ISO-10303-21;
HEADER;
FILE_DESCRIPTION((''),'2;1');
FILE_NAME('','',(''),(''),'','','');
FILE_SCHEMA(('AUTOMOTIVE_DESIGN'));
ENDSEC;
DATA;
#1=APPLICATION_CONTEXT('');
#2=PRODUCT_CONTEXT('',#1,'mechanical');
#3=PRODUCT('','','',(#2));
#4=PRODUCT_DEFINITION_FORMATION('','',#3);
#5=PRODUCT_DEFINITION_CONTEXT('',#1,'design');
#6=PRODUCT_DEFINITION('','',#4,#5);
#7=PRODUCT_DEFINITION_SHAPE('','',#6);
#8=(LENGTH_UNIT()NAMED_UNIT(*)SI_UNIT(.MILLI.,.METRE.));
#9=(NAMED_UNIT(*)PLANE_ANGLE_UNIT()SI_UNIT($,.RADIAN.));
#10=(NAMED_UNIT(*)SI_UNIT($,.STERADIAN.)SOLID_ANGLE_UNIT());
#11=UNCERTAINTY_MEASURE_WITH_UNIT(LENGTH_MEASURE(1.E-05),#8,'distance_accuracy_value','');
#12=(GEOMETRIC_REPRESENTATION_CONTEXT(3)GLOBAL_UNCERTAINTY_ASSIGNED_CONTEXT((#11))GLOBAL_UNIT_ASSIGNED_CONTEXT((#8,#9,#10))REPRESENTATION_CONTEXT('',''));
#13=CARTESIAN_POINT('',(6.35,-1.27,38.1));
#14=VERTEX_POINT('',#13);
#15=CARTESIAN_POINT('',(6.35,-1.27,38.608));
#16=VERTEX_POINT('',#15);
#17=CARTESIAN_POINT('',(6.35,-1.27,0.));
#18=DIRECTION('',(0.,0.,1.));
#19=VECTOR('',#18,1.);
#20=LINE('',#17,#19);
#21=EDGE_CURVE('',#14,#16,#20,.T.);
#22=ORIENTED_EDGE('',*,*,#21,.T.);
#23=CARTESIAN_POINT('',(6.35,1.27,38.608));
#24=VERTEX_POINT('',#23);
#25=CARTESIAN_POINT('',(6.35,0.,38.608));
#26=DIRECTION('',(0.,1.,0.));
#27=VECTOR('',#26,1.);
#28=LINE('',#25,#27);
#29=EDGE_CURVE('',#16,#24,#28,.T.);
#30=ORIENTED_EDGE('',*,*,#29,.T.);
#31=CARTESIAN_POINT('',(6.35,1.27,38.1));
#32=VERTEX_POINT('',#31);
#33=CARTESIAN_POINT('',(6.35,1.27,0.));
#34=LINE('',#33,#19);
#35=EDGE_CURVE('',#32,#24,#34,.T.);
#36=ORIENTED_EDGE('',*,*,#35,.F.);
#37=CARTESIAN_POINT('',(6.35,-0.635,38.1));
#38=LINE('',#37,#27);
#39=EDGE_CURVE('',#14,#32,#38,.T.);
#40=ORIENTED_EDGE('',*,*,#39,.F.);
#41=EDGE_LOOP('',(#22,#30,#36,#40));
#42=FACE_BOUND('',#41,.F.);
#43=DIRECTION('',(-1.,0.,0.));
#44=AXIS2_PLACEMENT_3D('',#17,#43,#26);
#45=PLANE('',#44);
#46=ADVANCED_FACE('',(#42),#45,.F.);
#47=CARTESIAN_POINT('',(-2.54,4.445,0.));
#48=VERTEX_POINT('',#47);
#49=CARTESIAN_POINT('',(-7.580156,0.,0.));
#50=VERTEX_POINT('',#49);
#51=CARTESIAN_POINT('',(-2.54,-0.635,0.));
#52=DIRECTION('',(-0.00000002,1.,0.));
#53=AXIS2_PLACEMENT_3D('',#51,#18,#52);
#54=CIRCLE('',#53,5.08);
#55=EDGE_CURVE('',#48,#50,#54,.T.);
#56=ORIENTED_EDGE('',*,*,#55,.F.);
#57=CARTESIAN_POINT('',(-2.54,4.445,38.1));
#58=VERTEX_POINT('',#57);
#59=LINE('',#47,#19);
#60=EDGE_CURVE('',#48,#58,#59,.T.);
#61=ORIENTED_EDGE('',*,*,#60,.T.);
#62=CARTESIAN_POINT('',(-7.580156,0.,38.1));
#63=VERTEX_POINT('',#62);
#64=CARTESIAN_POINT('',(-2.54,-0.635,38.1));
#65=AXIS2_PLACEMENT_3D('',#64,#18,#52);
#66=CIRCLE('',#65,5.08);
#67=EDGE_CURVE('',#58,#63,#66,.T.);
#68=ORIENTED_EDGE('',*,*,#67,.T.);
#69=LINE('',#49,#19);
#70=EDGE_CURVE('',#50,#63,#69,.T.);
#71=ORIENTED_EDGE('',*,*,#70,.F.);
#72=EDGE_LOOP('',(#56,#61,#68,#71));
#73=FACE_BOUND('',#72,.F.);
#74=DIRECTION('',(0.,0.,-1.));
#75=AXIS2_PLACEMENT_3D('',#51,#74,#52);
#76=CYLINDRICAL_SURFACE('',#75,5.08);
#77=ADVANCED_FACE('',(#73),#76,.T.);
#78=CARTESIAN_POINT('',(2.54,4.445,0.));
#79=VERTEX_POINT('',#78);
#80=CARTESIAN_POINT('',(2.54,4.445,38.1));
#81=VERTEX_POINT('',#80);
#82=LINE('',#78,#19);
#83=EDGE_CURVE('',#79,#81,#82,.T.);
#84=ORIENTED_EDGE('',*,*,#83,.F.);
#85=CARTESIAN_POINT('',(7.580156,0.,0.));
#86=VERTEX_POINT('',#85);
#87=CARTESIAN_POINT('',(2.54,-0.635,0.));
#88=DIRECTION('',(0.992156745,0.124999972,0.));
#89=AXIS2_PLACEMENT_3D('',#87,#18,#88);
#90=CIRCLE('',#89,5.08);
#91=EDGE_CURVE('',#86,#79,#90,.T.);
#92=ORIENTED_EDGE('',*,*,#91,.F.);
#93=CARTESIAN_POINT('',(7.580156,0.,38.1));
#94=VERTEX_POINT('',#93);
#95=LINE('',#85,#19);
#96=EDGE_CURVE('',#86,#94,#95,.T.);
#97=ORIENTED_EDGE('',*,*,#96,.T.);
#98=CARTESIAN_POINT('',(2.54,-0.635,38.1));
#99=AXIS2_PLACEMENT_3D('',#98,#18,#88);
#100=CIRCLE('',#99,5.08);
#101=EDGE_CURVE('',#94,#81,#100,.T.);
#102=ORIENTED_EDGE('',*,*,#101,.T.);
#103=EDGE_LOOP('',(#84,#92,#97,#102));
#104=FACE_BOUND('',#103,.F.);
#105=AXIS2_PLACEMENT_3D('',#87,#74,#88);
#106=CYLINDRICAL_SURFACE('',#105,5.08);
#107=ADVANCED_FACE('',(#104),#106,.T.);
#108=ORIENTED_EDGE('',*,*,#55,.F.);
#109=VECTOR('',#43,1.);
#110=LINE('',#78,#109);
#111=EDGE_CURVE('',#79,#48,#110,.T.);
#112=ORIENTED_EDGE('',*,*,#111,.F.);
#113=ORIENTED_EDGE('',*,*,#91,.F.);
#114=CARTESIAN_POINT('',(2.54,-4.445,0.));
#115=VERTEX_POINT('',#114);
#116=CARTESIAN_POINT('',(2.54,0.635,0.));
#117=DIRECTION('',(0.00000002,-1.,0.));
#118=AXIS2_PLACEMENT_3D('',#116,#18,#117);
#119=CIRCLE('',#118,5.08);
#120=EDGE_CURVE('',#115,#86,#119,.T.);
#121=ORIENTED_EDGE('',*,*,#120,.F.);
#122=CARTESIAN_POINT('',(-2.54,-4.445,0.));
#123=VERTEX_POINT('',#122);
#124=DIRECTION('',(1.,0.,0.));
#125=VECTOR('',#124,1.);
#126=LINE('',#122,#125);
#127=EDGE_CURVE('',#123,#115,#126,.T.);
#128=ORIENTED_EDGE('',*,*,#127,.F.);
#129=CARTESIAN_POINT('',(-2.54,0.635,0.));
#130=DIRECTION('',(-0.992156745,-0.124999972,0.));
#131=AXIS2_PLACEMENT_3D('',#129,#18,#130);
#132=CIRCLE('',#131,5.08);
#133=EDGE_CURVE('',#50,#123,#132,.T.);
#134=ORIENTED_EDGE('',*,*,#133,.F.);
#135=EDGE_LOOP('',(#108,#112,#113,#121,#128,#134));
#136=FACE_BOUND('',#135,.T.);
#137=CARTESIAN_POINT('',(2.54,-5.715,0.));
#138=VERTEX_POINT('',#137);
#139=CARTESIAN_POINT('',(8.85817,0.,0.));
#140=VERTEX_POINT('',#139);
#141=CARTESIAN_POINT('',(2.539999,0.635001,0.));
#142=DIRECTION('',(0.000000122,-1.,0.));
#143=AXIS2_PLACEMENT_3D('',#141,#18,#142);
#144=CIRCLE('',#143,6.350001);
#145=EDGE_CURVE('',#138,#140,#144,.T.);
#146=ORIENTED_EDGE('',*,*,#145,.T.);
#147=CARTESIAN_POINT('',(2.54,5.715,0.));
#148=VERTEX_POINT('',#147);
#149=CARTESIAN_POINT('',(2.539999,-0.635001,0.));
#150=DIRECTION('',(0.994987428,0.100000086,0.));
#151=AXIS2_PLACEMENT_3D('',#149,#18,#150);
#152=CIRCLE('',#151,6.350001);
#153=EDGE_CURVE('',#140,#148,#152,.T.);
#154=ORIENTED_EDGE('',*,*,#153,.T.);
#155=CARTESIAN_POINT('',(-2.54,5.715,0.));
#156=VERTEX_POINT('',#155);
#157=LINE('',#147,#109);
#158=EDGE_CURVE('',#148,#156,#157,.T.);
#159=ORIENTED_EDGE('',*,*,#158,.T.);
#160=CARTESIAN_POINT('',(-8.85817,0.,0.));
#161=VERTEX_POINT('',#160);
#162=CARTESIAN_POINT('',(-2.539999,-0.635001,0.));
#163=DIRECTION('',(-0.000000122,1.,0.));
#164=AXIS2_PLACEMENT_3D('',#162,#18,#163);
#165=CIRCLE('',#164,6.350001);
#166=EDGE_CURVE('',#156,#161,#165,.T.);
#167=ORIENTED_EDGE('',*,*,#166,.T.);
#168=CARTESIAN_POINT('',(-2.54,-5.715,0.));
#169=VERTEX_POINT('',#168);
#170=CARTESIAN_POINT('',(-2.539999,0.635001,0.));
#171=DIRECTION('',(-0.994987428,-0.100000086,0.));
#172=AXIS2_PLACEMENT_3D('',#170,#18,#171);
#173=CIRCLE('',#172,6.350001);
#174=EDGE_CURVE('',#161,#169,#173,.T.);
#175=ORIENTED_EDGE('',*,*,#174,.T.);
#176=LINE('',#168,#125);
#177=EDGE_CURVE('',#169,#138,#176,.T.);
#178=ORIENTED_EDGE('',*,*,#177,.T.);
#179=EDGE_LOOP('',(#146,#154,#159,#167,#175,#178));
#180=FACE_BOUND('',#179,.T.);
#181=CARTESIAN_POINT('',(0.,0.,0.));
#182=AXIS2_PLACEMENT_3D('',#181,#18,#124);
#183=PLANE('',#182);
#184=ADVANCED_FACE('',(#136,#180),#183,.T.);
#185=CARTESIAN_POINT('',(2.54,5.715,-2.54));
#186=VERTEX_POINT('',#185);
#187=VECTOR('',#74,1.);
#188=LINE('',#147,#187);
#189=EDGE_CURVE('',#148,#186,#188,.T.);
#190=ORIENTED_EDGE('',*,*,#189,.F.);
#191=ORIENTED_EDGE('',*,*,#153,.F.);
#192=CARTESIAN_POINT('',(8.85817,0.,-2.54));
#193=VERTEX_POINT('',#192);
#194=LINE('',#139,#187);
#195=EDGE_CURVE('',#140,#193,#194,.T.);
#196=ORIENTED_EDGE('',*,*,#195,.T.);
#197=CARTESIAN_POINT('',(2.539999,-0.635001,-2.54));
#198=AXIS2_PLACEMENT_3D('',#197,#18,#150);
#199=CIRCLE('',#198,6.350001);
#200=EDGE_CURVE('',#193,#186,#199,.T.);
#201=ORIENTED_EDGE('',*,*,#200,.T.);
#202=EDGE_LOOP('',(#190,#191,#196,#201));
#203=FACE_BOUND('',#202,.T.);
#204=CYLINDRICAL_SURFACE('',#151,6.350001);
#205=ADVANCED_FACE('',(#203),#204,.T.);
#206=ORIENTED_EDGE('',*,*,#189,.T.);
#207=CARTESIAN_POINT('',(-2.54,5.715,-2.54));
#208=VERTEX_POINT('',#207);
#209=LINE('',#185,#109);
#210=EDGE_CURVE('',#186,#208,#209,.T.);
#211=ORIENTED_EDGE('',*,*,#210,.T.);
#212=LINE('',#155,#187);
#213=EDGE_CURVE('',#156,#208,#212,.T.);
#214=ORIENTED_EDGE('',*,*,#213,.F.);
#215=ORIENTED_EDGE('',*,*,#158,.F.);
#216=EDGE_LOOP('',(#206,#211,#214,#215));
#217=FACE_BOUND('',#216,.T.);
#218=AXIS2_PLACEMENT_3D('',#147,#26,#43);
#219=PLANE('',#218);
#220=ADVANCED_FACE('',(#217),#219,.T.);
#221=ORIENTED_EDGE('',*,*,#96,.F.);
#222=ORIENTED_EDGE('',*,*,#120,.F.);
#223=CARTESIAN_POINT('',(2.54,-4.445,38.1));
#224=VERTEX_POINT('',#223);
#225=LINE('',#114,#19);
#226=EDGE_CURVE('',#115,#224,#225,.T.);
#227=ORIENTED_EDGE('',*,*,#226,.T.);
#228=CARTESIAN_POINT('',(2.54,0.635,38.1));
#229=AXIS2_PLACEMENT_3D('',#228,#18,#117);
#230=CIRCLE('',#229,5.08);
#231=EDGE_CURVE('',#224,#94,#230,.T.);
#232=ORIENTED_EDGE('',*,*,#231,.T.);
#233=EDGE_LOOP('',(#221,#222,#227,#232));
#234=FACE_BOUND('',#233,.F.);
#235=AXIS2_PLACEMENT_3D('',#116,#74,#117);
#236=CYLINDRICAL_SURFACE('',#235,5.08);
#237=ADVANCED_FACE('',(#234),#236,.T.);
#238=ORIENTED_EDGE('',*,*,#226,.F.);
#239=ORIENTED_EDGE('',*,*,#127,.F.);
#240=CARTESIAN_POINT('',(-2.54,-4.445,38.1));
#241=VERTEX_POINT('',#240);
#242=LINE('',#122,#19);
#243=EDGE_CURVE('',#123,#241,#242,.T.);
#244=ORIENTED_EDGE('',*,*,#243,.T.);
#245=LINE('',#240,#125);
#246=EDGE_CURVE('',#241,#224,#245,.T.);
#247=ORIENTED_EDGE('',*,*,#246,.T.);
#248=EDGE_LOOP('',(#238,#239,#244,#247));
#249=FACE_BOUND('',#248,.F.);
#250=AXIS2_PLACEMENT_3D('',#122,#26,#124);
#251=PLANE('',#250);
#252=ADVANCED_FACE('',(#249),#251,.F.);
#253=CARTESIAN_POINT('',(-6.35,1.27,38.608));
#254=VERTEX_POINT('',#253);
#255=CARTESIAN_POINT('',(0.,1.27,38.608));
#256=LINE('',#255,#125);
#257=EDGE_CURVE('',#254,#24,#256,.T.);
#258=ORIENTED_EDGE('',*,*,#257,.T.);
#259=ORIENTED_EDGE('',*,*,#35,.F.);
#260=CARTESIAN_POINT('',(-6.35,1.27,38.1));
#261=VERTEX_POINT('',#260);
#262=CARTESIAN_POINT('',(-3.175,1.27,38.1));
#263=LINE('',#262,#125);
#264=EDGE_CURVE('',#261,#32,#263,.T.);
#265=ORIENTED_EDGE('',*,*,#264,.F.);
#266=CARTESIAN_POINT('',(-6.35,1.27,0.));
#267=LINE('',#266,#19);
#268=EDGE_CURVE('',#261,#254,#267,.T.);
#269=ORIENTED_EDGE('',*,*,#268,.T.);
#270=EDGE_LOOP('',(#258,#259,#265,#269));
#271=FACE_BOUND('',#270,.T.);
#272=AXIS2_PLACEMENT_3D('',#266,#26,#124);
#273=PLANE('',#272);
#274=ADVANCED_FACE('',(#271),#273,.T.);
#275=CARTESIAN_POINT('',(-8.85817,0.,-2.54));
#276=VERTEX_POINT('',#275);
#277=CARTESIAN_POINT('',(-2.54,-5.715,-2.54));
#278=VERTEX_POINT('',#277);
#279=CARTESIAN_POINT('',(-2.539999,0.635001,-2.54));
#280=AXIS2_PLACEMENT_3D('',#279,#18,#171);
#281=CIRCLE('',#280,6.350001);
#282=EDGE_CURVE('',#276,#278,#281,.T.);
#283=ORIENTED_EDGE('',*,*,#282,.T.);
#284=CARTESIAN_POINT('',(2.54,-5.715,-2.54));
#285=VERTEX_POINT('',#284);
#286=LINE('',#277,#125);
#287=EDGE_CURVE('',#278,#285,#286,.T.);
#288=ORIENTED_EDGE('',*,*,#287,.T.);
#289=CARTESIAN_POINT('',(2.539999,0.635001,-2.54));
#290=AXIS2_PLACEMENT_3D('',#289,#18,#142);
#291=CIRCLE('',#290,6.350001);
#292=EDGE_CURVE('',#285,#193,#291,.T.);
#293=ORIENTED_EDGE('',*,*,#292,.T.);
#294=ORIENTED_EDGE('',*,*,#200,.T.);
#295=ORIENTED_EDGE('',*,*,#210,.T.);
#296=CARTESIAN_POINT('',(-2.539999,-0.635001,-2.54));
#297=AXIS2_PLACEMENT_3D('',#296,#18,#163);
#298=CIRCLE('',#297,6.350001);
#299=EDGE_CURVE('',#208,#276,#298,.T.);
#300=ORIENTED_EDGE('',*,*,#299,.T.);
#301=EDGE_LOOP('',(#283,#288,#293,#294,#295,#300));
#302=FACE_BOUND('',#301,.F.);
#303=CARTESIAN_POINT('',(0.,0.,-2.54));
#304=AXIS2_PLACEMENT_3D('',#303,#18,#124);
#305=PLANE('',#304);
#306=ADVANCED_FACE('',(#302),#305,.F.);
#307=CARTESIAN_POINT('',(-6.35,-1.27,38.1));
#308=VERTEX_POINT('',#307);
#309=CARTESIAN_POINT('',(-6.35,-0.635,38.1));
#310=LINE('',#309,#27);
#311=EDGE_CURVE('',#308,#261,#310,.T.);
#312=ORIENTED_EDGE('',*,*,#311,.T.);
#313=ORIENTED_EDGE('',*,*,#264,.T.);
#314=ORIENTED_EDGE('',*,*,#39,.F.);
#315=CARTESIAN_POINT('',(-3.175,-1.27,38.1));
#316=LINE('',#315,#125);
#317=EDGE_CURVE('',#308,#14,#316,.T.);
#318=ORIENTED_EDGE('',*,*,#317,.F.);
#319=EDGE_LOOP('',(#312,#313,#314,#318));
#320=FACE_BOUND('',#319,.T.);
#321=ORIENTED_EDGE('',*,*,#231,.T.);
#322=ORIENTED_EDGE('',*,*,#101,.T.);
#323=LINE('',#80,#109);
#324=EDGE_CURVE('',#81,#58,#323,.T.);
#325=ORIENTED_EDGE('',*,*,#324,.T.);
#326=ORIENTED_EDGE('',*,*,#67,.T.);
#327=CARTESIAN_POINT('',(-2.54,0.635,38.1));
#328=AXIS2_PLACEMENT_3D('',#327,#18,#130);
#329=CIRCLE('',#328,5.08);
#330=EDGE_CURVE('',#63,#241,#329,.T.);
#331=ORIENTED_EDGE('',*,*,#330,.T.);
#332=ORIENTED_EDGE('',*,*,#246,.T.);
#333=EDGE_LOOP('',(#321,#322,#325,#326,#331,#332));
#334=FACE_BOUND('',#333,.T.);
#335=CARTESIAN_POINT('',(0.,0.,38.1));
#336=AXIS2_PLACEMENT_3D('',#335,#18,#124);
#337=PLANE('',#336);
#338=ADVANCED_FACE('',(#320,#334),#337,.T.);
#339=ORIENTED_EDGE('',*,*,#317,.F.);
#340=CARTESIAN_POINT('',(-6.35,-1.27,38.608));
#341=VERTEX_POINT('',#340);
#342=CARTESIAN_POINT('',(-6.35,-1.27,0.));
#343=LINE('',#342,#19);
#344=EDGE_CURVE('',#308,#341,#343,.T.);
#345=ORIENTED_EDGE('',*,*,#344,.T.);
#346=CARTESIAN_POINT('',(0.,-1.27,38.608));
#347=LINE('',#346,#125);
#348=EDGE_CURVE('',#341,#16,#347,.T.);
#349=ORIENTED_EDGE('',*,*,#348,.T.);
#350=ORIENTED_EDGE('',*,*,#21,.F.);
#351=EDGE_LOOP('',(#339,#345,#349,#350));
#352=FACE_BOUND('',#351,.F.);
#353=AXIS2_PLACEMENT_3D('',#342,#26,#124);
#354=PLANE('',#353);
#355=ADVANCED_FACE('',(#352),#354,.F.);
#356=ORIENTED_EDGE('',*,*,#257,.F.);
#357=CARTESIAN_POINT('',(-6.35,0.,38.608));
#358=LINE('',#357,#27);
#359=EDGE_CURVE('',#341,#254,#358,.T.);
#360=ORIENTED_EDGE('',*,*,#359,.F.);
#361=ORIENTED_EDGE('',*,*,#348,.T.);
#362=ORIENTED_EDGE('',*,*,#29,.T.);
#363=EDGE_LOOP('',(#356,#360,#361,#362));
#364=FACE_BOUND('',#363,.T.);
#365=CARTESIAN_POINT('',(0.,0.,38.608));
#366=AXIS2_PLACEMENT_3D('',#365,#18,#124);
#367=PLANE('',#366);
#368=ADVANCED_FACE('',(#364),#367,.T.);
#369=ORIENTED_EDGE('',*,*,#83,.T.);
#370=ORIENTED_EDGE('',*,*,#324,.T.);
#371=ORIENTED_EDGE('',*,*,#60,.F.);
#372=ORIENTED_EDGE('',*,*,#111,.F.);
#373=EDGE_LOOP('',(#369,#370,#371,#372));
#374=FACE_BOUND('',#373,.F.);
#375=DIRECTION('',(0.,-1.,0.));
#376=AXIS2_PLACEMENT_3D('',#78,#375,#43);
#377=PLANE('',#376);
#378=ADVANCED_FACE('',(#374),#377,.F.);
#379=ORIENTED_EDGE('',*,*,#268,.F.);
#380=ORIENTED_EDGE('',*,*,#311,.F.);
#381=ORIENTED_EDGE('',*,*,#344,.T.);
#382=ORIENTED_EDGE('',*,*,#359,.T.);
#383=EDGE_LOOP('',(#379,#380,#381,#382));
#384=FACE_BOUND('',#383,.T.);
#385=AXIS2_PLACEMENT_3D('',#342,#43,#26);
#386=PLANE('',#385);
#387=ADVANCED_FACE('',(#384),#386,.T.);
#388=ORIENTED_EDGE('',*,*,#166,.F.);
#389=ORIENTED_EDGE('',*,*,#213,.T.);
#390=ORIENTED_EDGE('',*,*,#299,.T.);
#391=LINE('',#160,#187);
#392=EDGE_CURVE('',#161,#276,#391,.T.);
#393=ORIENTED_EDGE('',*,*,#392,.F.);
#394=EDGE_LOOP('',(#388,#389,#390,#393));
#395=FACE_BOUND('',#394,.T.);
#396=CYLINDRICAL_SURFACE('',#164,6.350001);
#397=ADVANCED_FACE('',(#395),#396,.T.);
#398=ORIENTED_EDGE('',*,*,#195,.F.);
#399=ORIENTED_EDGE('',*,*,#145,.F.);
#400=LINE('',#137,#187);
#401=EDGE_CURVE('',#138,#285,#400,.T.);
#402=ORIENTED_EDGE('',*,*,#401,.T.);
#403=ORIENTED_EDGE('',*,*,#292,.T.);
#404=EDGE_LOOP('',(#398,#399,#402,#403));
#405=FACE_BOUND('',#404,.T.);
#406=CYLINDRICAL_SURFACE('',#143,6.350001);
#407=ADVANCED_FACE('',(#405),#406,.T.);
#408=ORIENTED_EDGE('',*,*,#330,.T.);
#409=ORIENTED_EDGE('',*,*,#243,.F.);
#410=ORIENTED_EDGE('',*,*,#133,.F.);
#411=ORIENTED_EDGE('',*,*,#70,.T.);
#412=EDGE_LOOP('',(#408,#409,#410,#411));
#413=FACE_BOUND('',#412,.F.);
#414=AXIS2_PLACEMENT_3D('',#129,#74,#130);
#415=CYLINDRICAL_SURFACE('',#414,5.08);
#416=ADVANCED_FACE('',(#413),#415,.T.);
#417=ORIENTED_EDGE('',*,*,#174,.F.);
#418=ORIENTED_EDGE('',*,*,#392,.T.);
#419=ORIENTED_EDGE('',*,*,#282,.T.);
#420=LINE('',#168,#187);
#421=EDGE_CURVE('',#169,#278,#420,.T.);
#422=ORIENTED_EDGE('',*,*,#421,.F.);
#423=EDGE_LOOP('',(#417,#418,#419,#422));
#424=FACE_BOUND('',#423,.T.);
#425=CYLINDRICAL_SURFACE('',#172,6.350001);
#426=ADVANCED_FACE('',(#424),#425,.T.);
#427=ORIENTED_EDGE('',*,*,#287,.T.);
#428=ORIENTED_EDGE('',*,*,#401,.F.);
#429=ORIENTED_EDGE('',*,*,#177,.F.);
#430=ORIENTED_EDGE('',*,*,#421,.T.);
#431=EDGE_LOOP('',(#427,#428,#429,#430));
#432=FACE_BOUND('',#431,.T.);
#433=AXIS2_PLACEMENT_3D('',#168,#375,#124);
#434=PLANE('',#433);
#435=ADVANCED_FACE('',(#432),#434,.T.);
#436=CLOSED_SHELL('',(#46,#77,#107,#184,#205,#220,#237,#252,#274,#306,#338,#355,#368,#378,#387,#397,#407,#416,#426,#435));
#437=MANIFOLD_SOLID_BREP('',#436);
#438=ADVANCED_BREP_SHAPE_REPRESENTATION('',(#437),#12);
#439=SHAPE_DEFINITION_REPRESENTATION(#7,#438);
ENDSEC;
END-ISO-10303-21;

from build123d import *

# Parameters (mm, degrees)
F0_W     = 12.7
F0_H     = 2.54
F1_DEPTH = 38.608
F2_DEPTH = 38.1
F3_DEPTH = 2.54


with BuildPart() as f1:
    # F0 (on Top) → F1 (new body)
    with BuildSketch(Plane.XY):
        Rectangle(F0_W, F0_H)
    extrude(amount=F1_DEPTH)



with BuildPart() as f2:
    # F0 (on Top) → F2 (new body)
    with BuildSketch(Plane.XY):
        with BuildLine():
            Line((-2.54, -4.445), (2.54, -4.445))
            ThreePointArc((2.54, -4.445), (5.900104, -3.175), (7.580156, 0))
            ThreePointArc((7.580156, 0), (5.900104, 3.175), (2.54, 4.445))
            Line((2.54, 4.445), (-2.54, 4.445))
            ThreePointArc((-2.54, 4.445), (-5.900104, 3.175), (-7.580156, 0))
            ThreePointArc((-7.580156, 0), (-5.900104, -3.175), (-2.54, -4.445))
        make_face()
        Rectangle(F0_W, F0_H, mode=Mode.SUBTRACT)
        Rectangle(F0_W, F0_H)
    extrude(amount=F2_DEPTH)


with BuildPart() as f1_1:
    add(f1.part)

    add(f2.part)  # F3 merges F2
    # F0 (on Top) → F3 (join)
    with BuildSketch(Plane.XY):
        with BuildLine():
            Line((-2.54, -5.715), (2.54, -5.715))
            ThreePointArc((2.54, -5.715), (6.799709, -4.074286), (8.85817, 0))
            ThreePointArc((8.85817, 0), (6.799709, 4.074286), (2.54, 5.715))
            Line((2.54, 5.715), (-2.54, 5.715))
            ThreePointArc((-2.54, 5.715), (-6.799709, 4.074286), (-8.85817, 0))
            ThreePointArc((-8.85817, 0), (-6.799709, -4.074286), (-2.54, -5.715))
        make_face()
        with BuildLine():
            ThreePointArc((-7.62, 0.635), (-7.610029, 0.316876), (-7.580156, 0))
            ThreePointArc((-7.580156, 0), (-7.610029, -0.316876), (-7.62, -0.635))
            Line((-7.62, -0.635), (-7.62, 0.635))
        make_face(mode=Mode.SUBTRACT)
        with BuildLine():
            ThreePointArc((7.580156, 0), (5.900104, -3.175), (2.54, -4.445))
            Line((2.54, -4.445), (-2.54, -4.445))
            ThreePointArc((-2.54, -4.445), (-5.900104, -3.175), (-7.580156, 0))
            ThreePointArc((-7.580156, 0), (-5.900104, 3.175), (-2.54, 4.445))
            Line((-2.54, 4.445), (2.54, 4.445))
            ThreePointArc((2.54, 4.445), (5.900104, 3.175), (7.580156, 0))
        make_face(mode=Mode.SUBTRACT)
        with BuildLine():
            ThreePointArc((7.62, -0.635), (7.610029, -0.316876), (7.580156, 0))
            ThreePointArc((7.580156, 0), (7.610029, 0.316876), (7.62, 0.635))
            Line((7.62, 0.635), (7.62, -0.635))
        make_face(mode=Mode.SUBTRACT)
        with BuildLine():
            Line((-2.54, -4.445), (2.54, -4.445))
            ThreePointArc((2.54, -4.445), (5.900104, -3.175), (7.580156, 0))
            ThreePointArc((7.580156, 0), (5.900104, 3.175), (2.54, 4.445))
            Line((2.54, 4.445), (-2.54, 4.445))
            ThreePointArc((-2.54, 4.445), (-5.900104, 3.175), (-7.580156, 0))
            ThreePointArc((-7.580156, 0), (-5.900104, -3.175), (-2.54, -4.445))
        make_face()
        Rectangle(F0_W, F0_H, mode=Mode.SUBTRACT)
        Rectangle(F0_W, F0_H)
        with BuildLine():
            ThreePointArc((7.62, 0.635), (7.610029, 0.316876), (7.580156, 0))
            ThreePointArc((7.580156, 0), (7.610029, -0.316876), (7.62, -0.635))
            Line((7.62, -0.635), (7.62, 0.635))
        make_face()
        with BuildLine():
            ThreePointArc((-7.62, -0.635), (-7.610029, -0.316876), (-7.580156, 0))
            ThreePointArc((-7.580156, 0), (-7.610029, 0.316876), (-7.62, 0.635))
            Line((-7.62, 0.635), (-7.62, -0.635))
        make_face()
    extrude(amount=-F3_DEPTH)


solid = f1_1.part
